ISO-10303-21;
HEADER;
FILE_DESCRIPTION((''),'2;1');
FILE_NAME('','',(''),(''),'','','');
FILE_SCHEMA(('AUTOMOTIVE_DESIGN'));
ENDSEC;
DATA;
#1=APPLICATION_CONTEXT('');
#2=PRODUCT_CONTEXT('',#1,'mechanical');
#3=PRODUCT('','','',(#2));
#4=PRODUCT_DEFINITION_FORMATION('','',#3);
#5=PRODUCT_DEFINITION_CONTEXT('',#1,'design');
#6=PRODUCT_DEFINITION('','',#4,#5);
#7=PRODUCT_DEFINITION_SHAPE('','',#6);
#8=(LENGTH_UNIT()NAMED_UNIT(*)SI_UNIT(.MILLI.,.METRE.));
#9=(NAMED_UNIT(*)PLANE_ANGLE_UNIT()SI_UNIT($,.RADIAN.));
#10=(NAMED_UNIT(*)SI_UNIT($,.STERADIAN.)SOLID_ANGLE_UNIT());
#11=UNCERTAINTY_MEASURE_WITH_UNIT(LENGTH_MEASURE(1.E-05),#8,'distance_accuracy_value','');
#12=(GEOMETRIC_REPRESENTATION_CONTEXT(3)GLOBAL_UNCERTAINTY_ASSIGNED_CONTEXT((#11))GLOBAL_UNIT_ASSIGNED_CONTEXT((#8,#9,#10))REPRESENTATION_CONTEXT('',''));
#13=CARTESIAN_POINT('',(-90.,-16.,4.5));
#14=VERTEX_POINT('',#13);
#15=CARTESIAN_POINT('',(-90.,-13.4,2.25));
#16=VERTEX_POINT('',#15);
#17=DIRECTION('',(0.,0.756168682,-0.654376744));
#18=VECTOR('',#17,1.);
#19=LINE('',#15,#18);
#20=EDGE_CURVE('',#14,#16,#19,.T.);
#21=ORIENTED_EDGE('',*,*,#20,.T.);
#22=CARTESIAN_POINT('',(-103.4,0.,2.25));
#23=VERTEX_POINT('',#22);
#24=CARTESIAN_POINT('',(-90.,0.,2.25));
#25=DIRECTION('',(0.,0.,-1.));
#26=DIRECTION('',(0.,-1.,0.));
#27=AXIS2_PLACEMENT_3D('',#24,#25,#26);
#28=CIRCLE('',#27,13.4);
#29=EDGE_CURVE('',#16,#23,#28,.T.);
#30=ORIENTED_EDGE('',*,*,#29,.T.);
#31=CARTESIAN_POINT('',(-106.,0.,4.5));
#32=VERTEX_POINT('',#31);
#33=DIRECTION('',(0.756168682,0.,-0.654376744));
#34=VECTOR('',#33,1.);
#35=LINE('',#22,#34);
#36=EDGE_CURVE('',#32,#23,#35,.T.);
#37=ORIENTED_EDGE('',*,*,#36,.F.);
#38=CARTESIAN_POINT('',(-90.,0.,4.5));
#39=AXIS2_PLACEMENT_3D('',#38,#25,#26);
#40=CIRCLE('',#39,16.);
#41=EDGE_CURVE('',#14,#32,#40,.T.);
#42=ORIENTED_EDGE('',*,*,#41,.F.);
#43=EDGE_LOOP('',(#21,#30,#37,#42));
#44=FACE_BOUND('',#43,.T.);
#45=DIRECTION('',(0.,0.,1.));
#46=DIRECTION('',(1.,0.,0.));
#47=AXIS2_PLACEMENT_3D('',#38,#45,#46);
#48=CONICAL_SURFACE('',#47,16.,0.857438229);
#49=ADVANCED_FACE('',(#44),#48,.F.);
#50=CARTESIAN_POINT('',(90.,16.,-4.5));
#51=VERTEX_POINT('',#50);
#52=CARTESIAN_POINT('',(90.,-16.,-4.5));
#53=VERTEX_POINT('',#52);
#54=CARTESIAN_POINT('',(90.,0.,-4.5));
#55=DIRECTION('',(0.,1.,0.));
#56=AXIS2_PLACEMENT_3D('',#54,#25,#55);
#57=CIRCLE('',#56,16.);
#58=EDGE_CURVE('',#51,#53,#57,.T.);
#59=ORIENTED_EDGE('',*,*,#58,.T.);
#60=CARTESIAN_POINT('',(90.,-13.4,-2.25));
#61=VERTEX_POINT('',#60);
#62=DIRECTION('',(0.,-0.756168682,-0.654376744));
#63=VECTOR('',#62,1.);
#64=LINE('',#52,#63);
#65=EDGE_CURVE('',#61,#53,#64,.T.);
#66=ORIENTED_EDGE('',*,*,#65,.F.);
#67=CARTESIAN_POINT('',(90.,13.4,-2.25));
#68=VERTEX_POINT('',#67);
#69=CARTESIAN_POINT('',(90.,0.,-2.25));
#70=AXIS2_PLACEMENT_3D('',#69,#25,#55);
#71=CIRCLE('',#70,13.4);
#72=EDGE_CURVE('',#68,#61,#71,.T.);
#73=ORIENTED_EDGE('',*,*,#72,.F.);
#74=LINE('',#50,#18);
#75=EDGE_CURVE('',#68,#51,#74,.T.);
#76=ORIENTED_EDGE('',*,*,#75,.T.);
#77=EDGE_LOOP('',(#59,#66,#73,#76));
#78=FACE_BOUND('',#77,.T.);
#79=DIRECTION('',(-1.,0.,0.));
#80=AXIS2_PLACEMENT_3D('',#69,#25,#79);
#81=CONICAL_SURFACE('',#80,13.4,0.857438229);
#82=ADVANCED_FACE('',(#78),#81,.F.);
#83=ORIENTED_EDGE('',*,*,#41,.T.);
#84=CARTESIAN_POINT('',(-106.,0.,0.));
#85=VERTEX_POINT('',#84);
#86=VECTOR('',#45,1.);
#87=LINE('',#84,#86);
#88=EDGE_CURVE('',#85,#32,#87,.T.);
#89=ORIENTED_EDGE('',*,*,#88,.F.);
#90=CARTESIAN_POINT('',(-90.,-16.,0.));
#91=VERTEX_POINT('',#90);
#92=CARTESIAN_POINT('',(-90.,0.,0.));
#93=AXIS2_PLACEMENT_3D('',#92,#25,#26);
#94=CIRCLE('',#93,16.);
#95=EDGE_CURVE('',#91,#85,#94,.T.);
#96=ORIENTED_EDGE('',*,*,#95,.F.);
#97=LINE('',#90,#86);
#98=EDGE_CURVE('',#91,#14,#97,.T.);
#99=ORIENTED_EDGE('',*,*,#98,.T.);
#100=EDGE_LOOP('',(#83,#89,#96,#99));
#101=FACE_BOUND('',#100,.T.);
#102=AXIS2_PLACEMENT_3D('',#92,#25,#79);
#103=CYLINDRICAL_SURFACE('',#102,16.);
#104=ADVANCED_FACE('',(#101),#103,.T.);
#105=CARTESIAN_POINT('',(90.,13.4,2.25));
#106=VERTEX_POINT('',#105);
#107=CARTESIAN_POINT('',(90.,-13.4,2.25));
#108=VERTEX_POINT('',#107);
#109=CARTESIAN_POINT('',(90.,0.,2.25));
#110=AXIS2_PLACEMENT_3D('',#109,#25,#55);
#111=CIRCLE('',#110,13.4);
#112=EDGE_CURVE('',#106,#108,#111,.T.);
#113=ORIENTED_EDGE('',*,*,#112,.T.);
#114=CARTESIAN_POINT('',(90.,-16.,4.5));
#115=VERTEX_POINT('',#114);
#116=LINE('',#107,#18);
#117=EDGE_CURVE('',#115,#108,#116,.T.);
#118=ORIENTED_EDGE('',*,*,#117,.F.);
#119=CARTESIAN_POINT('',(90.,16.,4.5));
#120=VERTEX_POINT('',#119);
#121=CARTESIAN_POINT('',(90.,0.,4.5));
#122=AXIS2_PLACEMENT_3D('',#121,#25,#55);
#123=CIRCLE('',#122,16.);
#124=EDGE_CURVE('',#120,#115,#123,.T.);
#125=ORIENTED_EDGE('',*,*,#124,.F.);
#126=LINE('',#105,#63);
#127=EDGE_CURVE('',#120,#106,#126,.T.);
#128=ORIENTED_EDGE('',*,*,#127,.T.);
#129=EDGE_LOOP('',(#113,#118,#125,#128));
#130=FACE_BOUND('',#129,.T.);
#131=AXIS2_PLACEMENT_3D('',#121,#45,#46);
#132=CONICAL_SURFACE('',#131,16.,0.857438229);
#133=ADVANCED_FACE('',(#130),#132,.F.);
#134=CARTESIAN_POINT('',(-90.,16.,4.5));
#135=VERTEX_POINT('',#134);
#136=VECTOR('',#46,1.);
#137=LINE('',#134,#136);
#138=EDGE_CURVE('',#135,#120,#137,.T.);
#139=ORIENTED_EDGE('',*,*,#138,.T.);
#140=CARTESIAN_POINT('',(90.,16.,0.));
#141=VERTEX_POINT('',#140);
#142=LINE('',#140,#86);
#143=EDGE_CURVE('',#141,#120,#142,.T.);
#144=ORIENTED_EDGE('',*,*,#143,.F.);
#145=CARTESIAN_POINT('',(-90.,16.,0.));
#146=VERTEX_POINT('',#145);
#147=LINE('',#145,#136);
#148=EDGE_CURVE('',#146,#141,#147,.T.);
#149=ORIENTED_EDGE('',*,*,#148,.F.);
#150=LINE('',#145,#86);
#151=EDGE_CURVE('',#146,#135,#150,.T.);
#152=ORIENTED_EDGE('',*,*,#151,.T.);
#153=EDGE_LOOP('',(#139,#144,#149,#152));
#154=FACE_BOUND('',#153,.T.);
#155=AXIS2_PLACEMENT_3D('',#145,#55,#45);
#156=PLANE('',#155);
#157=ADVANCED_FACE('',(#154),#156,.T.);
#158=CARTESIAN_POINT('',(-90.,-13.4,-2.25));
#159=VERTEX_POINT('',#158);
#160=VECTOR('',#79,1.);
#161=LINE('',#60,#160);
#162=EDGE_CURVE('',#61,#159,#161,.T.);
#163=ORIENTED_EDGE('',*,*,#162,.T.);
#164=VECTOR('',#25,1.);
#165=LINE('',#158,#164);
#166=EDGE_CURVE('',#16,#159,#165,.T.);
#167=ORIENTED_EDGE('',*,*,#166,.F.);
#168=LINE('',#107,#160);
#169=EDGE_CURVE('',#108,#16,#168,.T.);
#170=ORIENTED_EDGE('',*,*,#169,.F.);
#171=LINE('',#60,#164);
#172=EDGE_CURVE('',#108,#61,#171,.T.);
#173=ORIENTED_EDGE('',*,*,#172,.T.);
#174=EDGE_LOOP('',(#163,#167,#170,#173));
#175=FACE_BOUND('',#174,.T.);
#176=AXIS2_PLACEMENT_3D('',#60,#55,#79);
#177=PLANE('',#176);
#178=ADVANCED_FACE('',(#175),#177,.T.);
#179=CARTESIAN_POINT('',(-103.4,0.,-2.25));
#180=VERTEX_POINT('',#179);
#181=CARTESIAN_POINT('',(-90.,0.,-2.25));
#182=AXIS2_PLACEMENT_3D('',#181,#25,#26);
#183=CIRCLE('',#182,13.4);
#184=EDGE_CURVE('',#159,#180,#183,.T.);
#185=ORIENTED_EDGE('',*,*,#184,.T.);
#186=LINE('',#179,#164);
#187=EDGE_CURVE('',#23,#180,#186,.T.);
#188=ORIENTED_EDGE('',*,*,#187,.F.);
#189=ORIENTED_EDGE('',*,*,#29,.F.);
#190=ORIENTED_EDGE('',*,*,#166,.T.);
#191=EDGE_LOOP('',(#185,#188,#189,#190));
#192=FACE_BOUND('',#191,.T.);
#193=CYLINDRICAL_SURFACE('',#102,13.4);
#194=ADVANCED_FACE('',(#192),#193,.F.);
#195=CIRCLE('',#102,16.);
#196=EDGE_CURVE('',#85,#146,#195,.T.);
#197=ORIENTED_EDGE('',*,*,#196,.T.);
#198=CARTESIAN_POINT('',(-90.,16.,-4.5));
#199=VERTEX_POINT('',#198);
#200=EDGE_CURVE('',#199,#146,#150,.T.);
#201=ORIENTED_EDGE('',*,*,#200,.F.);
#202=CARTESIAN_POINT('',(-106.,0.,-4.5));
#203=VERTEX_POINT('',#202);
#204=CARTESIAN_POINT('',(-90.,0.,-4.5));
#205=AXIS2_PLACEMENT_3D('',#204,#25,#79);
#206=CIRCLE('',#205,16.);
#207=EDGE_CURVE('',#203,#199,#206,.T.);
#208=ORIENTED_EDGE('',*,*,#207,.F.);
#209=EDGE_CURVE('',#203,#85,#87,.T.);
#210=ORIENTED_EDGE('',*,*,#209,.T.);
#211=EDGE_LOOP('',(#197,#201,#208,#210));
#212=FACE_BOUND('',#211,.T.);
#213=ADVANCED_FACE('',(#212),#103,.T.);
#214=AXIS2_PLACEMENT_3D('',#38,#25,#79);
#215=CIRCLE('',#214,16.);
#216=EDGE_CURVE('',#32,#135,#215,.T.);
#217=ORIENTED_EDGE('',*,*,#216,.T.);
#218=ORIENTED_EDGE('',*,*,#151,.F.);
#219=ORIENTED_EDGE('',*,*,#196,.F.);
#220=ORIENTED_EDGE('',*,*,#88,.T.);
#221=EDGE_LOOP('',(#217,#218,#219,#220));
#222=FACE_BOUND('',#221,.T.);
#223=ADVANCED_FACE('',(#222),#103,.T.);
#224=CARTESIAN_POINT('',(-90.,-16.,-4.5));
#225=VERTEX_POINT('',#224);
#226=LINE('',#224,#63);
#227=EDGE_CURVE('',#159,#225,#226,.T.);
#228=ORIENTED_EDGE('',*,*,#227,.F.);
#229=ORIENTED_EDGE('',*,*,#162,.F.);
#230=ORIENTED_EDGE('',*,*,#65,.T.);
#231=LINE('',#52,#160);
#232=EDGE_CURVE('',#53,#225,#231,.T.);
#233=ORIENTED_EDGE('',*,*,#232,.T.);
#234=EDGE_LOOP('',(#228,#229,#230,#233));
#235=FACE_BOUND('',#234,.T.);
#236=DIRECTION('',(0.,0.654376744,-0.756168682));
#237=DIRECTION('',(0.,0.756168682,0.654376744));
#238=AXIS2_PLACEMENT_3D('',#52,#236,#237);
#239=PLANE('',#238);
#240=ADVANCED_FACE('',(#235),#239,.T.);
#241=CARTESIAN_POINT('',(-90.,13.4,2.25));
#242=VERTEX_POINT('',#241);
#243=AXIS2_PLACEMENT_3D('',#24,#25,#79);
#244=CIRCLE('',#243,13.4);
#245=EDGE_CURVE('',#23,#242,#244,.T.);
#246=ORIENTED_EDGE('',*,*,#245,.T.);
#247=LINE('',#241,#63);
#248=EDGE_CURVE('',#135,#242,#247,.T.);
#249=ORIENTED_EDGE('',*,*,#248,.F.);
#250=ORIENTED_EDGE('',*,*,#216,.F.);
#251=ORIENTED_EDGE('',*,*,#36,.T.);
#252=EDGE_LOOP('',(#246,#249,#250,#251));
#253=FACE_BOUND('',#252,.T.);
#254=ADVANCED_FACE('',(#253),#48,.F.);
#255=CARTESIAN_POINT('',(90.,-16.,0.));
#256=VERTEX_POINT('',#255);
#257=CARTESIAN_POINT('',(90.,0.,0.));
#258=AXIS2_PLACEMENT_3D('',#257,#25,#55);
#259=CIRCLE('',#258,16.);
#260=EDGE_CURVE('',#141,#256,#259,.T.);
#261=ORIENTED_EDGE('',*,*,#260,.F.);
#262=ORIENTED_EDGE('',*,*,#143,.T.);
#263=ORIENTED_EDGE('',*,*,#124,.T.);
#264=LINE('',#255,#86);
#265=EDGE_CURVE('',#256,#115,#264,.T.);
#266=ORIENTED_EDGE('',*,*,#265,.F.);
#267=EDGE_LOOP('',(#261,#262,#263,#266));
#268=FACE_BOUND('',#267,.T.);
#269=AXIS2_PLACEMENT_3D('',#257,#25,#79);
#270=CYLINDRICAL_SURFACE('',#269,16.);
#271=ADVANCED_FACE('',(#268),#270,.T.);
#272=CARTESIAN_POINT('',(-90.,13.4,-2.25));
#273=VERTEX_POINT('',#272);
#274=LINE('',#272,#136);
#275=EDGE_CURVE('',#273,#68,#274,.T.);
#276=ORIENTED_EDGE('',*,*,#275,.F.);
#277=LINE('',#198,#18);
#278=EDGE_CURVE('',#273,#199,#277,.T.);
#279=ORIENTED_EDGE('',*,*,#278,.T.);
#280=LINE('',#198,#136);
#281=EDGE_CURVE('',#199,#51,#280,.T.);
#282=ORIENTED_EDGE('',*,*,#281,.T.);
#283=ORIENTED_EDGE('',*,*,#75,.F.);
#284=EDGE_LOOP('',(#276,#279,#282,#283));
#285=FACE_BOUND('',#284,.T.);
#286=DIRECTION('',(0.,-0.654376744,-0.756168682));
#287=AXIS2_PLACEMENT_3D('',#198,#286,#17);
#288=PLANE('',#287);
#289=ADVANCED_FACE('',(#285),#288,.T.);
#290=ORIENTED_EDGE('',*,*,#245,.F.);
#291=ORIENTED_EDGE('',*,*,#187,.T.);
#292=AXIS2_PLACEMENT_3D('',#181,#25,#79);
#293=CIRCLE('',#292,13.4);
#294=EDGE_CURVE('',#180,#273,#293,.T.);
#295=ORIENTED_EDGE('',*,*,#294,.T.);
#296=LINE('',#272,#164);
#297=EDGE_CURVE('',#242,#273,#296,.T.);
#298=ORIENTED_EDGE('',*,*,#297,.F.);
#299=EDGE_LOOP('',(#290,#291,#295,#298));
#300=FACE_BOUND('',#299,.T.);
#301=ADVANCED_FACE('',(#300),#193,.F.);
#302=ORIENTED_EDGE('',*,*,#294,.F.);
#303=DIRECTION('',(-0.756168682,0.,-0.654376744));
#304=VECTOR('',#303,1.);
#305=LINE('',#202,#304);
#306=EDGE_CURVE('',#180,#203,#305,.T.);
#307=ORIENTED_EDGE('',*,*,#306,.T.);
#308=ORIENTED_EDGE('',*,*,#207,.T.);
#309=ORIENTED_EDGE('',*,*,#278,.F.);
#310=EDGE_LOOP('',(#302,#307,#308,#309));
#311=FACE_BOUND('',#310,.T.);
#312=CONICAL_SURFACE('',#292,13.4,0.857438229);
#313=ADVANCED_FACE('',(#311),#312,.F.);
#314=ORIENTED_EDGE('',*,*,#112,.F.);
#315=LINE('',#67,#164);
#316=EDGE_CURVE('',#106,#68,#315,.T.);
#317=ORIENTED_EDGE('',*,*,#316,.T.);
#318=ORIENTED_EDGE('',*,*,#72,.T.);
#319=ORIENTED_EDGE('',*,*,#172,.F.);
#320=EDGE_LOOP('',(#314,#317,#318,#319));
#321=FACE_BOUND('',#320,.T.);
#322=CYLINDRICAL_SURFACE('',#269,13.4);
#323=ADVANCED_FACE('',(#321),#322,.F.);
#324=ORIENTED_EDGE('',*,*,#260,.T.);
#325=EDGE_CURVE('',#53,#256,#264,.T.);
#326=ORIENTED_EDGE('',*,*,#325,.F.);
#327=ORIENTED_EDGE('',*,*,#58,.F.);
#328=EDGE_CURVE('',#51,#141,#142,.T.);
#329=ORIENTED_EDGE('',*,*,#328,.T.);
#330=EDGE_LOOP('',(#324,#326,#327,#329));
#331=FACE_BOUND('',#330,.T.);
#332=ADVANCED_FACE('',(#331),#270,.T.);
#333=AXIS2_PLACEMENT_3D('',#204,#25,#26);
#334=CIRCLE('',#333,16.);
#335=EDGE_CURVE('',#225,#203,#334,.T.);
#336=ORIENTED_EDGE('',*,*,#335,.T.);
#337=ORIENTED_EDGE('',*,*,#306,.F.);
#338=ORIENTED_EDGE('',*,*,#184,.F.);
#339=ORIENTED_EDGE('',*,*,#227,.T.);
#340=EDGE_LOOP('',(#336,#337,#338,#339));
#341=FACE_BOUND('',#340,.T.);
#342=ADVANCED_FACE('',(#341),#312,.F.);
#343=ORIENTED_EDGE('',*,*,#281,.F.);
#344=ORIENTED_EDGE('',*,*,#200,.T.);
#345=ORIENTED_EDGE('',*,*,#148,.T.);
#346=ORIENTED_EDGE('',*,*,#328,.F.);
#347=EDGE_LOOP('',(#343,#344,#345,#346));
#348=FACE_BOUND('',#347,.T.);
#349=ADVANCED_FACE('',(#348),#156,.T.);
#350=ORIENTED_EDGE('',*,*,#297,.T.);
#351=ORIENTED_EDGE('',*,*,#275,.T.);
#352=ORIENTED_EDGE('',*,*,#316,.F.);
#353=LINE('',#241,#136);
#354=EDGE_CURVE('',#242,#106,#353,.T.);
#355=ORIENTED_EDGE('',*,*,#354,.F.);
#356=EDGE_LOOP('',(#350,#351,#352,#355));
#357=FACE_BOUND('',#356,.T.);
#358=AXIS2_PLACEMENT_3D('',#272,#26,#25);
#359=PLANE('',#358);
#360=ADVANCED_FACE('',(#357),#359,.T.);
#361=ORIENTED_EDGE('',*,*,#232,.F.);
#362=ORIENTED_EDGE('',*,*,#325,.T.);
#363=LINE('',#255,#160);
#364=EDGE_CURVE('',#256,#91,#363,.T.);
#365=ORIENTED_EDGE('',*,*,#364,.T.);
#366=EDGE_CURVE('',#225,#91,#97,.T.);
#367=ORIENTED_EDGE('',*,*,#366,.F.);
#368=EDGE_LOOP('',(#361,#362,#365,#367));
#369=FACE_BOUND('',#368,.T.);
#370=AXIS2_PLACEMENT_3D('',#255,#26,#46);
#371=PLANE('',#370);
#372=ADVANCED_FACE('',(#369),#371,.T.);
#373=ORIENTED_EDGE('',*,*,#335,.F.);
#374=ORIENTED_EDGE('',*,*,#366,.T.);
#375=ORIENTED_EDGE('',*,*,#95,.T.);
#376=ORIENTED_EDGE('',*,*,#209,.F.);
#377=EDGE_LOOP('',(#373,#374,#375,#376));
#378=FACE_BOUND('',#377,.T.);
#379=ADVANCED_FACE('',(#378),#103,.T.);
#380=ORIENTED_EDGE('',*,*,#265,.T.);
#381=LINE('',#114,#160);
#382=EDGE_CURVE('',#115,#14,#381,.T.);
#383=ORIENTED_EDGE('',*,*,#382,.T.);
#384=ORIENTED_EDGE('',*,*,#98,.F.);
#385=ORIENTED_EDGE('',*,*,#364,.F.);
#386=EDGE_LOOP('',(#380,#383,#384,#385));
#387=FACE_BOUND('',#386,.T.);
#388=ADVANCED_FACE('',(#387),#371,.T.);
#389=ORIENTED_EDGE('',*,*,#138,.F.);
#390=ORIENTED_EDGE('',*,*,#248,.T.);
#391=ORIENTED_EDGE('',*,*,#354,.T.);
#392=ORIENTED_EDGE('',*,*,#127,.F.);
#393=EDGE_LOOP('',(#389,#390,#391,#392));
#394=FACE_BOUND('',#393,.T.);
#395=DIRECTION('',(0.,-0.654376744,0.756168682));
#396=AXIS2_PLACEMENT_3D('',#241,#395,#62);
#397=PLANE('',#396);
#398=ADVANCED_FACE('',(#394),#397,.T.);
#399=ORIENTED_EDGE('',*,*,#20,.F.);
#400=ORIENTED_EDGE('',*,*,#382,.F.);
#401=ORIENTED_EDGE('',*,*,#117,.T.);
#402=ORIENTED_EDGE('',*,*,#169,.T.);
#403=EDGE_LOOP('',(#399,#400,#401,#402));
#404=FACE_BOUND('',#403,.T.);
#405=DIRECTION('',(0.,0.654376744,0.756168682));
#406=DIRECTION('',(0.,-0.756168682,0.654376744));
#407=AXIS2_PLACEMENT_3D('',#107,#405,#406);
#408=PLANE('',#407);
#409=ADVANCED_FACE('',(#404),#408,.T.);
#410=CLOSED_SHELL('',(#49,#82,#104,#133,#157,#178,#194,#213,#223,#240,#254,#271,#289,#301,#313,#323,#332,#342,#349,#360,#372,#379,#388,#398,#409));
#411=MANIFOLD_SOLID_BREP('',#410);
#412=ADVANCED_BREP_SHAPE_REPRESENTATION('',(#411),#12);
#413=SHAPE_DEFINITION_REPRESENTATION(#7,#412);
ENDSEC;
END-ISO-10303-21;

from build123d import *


with BuildPart() as part:
    # 扫描1: sweep along a path in 草图1
    with BuildLine(Plane.XY) as sweep_1_path:
        Line((-90, 16), (90, 16))
        ThreePointArc((90, 16), (106, 0), (90, -16))
        Line((90, -16), (-90, -16))
        ThreePointArc((-90, -16), (-106, 0), (-90, 16))
    # 草图2 → 扫描1 (sweep)
    with BuildSketch(Plane(origin=(0, 0, 0), x_dir=(1, 0, 0), z_dir=(0, 1, 0))):
        Polygon((-106, 0), (-106, 4.5), (-103.4, 2.25), (-103.4, -2.25), (-106, -4.5), align=None)
    sweep(path=sweep_1_path.line)


solid = part.part
